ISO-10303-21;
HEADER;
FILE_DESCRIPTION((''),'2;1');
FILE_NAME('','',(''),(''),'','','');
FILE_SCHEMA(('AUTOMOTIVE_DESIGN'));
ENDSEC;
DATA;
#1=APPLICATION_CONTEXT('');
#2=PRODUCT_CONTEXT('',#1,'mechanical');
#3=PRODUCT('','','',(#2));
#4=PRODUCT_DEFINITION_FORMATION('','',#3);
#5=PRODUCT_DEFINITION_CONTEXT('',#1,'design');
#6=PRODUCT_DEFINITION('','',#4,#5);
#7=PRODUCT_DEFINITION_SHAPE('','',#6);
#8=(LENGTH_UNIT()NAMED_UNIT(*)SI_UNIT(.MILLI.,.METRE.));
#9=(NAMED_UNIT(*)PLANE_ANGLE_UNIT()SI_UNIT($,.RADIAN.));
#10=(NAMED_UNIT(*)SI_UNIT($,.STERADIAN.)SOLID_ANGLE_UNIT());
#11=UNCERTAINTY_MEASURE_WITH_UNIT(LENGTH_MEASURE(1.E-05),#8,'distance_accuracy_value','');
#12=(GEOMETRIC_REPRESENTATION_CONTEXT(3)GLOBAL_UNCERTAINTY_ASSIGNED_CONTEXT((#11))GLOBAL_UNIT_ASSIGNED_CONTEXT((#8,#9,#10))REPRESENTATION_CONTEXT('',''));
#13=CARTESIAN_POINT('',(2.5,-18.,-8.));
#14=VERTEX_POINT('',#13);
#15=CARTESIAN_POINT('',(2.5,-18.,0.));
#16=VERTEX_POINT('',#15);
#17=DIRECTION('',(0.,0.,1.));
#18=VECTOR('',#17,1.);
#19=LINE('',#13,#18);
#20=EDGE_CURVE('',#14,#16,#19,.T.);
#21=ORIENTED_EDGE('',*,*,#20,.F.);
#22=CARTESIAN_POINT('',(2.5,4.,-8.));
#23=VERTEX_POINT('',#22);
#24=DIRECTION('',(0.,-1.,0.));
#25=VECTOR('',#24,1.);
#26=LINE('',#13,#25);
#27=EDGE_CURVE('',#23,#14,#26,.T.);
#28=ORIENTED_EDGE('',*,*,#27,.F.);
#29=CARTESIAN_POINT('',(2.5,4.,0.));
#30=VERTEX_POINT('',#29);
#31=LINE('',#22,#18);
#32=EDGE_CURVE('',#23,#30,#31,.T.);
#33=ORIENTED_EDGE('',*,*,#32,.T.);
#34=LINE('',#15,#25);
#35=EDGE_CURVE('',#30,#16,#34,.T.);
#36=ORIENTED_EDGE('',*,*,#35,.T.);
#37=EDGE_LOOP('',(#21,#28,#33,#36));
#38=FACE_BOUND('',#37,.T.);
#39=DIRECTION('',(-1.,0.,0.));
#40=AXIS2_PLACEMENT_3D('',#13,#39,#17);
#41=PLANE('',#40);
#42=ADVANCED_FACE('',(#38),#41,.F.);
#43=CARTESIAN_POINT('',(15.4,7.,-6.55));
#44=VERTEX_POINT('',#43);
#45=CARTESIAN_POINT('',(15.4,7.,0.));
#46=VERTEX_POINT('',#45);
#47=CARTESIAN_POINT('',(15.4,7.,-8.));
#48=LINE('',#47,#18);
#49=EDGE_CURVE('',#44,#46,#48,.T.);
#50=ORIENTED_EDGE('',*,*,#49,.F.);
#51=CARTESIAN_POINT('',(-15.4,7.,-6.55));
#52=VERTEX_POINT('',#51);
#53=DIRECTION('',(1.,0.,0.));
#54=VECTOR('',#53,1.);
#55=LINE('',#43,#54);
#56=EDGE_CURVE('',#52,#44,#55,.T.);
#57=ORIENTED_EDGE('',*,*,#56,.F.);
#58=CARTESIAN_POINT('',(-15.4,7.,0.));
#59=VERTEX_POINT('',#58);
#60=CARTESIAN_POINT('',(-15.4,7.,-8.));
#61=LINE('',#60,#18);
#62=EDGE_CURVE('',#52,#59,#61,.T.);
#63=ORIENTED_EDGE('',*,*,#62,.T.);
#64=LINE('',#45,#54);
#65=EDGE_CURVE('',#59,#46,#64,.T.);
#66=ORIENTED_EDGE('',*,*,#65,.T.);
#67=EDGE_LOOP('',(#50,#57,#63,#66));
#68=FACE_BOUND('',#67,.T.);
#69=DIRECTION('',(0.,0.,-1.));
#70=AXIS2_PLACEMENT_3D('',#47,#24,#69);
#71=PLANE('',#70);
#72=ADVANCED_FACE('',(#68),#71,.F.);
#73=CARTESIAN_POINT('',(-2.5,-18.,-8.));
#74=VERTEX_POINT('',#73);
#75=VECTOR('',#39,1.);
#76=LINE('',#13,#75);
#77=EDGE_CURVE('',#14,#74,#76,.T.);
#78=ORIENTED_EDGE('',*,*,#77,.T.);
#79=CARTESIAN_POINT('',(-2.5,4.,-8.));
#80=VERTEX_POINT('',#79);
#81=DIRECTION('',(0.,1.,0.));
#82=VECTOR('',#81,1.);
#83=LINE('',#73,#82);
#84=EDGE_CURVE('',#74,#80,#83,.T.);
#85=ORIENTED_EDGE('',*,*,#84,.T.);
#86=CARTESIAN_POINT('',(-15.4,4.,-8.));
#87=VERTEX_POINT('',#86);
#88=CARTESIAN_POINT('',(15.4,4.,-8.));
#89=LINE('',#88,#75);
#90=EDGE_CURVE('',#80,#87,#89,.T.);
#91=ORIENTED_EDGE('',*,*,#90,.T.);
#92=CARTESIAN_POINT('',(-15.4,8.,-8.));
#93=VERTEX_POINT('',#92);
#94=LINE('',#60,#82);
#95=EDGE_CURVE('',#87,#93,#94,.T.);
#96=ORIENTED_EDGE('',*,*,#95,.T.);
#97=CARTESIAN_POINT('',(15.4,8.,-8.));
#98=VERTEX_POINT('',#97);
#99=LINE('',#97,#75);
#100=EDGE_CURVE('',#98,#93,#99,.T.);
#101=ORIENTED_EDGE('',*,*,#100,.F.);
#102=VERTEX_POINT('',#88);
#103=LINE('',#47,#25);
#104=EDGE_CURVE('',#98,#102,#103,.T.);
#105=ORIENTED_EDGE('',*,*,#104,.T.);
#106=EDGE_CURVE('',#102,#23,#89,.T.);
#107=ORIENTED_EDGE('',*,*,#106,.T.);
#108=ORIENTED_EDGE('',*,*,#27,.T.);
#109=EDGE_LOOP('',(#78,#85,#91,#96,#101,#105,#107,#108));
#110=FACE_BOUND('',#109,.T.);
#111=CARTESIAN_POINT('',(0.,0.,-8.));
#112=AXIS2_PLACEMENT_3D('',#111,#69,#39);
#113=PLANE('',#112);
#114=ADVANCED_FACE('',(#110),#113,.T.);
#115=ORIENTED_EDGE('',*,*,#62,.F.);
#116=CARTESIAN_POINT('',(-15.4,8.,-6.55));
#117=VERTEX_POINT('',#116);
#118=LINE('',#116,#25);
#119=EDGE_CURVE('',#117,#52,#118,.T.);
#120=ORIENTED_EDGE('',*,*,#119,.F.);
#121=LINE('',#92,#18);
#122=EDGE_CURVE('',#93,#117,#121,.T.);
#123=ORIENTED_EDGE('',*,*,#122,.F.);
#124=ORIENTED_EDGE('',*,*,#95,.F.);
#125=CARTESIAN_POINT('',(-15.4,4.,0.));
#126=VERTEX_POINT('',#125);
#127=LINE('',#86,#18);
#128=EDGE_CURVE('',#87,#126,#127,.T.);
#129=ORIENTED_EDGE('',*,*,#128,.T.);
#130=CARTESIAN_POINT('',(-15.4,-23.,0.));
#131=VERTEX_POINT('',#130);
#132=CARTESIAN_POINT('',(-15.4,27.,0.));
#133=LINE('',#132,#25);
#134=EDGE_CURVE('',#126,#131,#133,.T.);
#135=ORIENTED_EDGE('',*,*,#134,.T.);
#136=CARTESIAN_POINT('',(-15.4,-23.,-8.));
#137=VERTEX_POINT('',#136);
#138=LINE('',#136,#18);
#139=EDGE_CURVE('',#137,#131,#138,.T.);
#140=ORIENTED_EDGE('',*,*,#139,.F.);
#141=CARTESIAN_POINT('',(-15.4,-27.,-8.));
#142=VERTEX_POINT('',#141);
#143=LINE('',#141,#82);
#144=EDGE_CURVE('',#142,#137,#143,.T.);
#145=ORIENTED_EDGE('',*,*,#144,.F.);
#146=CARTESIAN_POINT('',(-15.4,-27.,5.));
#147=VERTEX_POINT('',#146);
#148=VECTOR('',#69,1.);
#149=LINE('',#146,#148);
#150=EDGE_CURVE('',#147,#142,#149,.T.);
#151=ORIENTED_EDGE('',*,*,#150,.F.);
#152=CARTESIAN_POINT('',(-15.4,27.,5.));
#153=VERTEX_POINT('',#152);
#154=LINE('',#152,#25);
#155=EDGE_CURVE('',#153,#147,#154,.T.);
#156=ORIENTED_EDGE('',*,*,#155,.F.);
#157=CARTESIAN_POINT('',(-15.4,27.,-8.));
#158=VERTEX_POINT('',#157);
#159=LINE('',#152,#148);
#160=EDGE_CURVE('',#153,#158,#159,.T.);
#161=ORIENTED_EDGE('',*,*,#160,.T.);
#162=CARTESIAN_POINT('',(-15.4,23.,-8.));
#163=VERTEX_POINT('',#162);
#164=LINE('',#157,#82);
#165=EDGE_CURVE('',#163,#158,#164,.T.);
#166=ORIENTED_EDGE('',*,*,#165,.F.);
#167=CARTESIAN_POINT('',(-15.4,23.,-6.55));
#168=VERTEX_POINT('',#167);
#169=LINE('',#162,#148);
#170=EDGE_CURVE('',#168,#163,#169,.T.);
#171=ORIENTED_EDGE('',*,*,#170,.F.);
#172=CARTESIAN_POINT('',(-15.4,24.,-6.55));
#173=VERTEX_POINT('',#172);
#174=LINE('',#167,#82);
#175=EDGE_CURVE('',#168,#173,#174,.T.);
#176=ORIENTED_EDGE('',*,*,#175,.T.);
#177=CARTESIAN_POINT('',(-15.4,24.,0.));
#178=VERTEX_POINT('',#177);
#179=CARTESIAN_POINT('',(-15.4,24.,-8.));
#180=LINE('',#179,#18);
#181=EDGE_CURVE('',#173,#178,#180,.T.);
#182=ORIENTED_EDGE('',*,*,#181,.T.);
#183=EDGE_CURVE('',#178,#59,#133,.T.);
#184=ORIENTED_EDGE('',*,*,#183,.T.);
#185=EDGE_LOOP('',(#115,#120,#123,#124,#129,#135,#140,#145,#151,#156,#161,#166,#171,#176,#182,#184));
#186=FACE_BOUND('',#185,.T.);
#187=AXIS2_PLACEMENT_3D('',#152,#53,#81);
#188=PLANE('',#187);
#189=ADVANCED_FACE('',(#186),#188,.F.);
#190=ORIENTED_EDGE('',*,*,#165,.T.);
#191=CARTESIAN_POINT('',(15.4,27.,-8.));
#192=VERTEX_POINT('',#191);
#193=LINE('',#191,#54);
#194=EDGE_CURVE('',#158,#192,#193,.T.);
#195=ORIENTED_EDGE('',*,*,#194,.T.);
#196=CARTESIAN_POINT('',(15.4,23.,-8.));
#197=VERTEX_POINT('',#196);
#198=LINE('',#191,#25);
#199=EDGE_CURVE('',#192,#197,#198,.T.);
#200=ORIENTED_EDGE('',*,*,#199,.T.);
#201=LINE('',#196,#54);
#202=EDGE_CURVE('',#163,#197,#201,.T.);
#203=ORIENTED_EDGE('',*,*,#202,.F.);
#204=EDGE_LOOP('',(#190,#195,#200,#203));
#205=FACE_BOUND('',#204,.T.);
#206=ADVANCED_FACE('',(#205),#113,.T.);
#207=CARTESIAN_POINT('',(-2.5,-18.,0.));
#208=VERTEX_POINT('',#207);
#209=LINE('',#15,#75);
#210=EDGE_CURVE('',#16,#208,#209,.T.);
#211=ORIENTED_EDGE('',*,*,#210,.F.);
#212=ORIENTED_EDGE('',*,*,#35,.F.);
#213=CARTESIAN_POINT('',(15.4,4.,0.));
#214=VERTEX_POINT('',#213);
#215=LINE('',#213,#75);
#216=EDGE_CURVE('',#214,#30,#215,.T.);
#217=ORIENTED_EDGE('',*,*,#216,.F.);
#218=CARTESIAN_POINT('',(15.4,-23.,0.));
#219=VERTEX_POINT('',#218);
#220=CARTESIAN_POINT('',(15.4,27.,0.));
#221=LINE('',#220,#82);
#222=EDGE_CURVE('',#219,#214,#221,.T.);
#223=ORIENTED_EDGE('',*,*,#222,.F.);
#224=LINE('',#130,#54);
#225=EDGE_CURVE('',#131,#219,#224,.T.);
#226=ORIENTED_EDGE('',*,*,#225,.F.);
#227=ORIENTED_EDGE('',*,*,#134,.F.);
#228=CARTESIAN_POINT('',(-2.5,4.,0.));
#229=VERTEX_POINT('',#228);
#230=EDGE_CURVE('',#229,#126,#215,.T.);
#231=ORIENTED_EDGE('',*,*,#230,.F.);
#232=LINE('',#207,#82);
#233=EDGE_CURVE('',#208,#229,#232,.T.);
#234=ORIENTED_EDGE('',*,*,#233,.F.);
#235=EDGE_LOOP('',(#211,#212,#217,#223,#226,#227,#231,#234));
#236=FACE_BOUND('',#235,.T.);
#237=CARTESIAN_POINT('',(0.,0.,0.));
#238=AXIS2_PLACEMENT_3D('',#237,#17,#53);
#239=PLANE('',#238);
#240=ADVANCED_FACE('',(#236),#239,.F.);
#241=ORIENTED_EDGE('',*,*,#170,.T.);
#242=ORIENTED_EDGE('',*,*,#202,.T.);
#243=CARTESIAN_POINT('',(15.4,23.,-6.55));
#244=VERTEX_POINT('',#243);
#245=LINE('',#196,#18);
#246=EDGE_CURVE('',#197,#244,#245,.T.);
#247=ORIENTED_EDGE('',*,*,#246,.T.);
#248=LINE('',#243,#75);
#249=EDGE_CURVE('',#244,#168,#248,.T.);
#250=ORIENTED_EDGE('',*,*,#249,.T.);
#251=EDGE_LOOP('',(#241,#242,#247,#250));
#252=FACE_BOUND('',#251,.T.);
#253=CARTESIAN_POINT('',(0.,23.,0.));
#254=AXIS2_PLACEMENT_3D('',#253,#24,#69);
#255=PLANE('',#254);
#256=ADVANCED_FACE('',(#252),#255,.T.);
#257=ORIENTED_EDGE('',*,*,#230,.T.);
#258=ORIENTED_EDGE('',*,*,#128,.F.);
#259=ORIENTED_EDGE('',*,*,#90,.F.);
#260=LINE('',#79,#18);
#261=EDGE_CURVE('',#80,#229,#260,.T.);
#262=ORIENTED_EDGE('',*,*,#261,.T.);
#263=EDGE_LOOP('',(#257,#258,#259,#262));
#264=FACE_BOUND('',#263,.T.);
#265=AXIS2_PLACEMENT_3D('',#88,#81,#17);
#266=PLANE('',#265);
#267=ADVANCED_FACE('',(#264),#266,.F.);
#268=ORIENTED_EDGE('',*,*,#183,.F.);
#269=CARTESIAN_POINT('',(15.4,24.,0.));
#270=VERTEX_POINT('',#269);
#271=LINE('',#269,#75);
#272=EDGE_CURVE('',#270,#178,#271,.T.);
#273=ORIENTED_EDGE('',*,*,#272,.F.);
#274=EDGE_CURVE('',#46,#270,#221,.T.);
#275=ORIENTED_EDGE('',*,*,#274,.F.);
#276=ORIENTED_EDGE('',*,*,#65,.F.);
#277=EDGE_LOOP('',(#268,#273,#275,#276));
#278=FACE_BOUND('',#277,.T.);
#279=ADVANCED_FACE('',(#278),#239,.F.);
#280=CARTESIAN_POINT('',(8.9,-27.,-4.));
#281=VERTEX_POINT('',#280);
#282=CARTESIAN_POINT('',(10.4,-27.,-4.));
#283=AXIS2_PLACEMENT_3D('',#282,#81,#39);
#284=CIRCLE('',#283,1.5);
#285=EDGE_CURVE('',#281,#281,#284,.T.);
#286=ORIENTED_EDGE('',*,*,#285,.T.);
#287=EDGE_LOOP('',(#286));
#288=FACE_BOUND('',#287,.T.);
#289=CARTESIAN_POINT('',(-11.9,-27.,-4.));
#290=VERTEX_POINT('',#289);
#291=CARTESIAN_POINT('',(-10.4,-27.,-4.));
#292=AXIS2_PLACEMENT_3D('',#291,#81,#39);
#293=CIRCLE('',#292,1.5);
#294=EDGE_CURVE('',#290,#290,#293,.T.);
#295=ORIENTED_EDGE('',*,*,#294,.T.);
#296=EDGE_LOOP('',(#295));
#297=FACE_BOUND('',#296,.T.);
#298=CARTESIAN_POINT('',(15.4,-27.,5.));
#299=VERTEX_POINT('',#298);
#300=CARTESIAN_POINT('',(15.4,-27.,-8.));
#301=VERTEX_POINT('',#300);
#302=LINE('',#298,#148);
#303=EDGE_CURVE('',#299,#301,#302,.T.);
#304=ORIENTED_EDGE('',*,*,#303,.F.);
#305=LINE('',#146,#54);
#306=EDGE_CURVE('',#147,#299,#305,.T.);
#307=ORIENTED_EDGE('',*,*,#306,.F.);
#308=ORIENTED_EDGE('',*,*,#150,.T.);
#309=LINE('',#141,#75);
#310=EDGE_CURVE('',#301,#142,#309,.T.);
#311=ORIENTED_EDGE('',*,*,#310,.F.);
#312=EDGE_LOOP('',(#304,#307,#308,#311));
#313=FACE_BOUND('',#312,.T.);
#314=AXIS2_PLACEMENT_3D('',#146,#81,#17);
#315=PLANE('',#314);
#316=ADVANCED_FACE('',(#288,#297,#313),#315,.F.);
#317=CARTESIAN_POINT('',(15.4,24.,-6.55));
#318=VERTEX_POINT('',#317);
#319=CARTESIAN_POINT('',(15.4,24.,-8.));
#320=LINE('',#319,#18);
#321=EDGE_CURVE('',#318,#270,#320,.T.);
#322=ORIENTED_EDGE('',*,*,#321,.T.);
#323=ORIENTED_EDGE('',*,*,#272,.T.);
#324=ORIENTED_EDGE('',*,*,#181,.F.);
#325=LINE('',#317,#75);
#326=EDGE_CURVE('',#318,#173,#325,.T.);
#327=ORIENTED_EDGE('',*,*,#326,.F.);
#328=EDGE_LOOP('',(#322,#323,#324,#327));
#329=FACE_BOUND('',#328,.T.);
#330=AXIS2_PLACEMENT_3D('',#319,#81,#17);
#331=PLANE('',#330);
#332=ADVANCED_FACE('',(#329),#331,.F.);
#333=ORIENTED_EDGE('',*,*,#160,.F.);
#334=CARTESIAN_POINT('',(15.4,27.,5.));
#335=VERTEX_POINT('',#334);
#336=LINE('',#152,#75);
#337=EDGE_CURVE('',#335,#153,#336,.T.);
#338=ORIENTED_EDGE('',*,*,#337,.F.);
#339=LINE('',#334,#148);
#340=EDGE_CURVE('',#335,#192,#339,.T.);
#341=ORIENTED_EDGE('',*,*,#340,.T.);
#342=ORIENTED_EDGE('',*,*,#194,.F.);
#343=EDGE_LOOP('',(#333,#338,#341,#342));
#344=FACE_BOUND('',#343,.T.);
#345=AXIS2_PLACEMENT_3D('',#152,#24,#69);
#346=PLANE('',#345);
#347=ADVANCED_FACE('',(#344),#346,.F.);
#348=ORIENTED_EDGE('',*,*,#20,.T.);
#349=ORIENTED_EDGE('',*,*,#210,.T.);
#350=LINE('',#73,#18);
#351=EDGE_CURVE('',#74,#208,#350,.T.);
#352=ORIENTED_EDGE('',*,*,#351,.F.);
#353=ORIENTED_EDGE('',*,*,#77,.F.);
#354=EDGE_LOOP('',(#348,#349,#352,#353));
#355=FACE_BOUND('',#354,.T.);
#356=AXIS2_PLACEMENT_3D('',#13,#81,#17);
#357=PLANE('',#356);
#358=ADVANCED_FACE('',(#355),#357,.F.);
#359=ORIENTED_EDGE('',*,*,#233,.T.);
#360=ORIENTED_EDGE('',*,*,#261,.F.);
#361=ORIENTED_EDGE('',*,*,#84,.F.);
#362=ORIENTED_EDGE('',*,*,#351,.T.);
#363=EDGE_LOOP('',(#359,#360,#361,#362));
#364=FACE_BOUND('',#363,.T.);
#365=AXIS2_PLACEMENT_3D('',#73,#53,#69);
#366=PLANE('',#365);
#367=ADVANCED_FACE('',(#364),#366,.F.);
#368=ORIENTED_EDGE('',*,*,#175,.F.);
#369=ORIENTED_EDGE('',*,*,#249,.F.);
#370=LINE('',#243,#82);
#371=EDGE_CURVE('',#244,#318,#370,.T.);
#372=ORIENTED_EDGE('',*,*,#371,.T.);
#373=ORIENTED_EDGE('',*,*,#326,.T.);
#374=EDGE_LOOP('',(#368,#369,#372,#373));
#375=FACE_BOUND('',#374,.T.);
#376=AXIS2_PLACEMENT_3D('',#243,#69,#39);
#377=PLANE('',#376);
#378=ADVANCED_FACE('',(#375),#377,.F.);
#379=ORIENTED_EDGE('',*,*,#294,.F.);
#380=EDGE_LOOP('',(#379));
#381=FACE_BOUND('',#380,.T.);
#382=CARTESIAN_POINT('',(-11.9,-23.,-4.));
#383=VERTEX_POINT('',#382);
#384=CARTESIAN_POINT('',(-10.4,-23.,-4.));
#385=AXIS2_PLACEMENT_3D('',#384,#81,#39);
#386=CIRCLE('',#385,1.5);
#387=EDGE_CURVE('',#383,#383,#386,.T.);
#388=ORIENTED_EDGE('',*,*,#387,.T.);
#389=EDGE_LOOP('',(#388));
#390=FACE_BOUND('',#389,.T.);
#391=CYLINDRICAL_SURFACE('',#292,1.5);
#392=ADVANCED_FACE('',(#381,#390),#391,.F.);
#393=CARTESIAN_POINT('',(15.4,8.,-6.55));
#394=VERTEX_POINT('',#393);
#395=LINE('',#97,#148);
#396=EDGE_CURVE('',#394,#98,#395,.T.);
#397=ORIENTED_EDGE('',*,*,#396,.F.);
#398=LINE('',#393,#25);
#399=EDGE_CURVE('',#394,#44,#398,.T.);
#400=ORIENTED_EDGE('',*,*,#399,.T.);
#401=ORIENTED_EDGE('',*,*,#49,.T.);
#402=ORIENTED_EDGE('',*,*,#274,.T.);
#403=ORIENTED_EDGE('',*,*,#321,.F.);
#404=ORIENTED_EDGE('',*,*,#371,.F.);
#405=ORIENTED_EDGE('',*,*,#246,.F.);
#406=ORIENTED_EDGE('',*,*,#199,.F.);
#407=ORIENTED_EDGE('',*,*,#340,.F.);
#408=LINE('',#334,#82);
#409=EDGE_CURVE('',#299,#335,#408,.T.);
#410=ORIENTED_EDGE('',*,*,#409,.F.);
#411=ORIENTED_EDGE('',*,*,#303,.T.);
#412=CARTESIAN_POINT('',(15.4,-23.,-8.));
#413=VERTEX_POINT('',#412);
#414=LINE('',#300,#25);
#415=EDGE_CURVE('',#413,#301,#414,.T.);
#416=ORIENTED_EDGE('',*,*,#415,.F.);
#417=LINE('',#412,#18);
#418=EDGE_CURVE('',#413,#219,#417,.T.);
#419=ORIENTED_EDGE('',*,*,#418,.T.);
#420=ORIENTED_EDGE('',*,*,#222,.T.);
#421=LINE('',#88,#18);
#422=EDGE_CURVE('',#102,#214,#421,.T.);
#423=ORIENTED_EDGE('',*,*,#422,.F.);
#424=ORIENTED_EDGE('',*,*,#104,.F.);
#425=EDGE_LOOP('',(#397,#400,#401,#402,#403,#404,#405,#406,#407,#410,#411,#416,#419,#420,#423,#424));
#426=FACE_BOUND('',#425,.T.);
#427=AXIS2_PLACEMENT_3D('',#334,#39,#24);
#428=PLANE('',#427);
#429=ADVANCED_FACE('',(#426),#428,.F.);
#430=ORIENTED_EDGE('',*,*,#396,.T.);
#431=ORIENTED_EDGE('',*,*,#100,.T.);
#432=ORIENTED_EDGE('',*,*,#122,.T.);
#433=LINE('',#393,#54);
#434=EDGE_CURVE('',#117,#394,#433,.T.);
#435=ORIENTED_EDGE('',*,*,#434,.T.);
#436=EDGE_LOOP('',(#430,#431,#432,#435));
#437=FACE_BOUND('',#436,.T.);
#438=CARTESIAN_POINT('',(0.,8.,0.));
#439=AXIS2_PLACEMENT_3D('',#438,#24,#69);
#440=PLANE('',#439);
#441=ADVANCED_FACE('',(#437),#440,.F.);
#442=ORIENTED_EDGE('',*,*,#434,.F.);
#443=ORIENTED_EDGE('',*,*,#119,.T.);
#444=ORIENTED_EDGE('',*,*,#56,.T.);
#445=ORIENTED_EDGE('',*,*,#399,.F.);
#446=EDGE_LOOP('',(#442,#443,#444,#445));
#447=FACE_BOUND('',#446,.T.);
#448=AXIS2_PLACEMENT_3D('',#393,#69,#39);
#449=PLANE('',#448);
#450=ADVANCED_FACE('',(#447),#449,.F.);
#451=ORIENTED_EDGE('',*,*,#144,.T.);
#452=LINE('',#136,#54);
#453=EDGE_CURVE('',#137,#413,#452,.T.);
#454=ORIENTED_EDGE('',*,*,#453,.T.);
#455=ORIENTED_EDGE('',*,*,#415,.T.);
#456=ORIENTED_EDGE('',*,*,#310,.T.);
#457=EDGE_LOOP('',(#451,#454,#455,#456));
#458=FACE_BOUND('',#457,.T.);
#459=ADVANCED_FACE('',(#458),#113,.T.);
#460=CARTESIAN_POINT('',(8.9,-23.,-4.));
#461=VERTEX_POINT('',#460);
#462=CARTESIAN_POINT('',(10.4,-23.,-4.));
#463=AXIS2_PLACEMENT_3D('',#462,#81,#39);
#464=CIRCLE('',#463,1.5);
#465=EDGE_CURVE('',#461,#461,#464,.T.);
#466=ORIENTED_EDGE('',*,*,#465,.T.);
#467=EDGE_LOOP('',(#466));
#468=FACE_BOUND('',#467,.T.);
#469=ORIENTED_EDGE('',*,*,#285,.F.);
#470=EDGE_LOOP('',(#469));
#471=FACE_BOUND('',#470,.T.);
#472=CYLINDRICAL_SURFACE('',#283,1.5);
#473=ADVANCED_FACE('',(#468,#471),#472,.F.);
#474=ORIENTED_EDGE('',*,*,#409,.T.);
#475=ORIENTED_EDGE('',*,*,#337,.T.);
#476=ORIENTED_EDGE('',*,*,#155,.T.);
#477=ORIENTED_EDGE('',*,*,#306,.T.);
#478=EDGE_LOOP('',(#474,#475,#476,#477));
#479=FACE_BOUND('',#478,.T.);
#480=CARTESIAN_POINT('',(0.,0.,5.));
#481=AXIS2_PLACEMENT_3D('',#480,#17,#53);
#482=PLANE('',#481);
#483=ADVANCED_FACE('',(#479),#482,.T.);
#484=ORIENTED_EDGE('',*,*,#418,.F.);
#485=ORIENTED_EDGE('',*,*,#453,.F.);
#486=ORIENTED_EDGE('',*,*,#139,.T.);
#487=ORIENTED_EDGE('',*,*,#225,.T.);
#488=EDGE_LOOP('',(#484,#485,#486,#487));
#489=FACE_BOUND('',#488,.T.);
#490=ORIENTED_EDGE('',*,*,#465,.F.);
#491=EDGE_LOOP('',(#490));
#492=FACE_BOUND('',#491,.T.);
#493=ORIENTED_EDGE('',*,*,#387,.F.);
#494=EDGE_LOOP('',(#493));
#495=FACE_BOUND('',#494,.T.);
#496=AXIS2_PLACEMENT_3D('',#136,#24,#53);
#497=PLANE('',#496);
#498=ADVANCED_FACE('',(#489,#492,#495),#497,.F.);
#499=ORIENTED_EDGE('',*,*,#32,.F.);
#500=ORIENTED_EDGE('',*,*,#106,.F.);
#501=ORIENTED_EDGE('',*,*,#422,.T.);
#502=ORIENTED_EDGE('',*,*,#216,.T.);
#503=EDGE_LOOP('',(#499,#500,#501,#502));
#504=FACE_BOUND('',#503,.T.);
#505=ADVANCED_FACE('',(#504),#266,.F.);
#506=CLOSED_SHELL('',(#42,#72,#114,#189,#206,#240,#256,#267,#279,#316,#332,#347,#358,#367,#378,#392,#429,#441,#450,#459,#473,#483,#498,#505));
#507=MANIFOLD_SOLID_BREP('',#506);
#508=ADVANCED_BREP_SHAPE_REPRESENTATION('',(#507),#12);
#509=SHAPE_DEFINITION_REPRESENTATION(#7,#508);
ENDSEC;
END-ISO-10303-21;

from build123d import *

# Parameters (mm, degrees)
SKETCH_1_W          = 30.8
SKETCH_1_H          = 54
EXTRUDE_1_DEPTH     = 5
SKETCH_2_W          = 30.8
SKETCH_2_H          = 4
EXTRUDE_2_DEPTH     = 8
SKETCH_3_R          = 1.5
CUT_EXTRUDE_1_DEPTH = 5
SKETCH_4_W          = 30.8
SKETCH_4_H          = 3
EXTRUDE_3_DEPTH     = 8
SKETCH_5_W          = 30.8
SKETCH_5_H          = 1.45
EXTRUDE_4_DEPTH     = 1
SKETCH_6_W          = 30.8
SKETCH_6_H          = 1.45
EXTRUDE_5_DEPTH     = 1
SKETCH_7_W          = 5
SKETCH_7_H          = 22
EXTRUDE_6_DEPTH     = 8


with BuildPart() as part:
    # 草图1 → 凸台-拉伸1 (new body)
    with BuildSketch(Plane.XY):
        Rectangle(SKETCH_1_W, SKETCH_1_H)
    extrude(amount=EXTRUDE_1_DEPTH)

    # 草图2 → 凸台-拉伸2 (add)
    with BuildSketch(Plane(origin=(0, 0, 0), x_dir=(-1, 0, 0), z_dir=(0, 0, -1))):
        with Locations((0, -25)):
            Rectangle(SKETCH_2_W, SKETCH_2_H)
    extrude(amount=EXTRUDE_2_DEPTH)

    # 草图3 → 切除-拉伸1 (cut, through all)
    with BuildSketch(Plane(origin=(0, -23, 0), x_dir=(1, 0, 0), z_dir=(0, 1, 0))):
        with Locations((10.4, 4)):
            Circle(SKETCH_3_R)
        with Locations((-10.4, 4)):
            Circle(SKETCH_3_R)
    extrude(amount=-CUT_EXTRUDE_1_DEPTH, mode=Mode.SUBTRACT)

    # 草图4 → 凸台-拉伸3 (add)
    with BuildSketch(Plane(origin=(0, 0, 0), x_dir=(-1, 0, 0), z_dir=(0, 0, -1))):
        with Locations((0, 25.5)):
            Rectangle(SKETCH_4_W, SKETCH_4_H)
        with Locations((0, 5.5)):
            Rectangle(SKETCH_4_W, SKETCH_4_H)
    extrude(amount=EXTRUDE_3_DEPTH)

    # 草图5 → 凸台-拉伸4 (add)
    with BuildSketch(Plane(origin=(0, 7, 0), x_dir=(1, 0, 0), z_dir=(0, 1, 0))):
        with Locations((0, 7.275)):
            Rectangle(SKETCH_5_W, SKETCH_5_H)
    extrude(amount=EXTRUDE_4_DEPTH)

    # 草图6 → 凸台-拉伸5 (add)
    with BuildSketch(Plane.XZ.offset(-24)):
        with Locations((0, -7.275)):
            Rectangle(SKETCH_6_W, SKETCH_6_H)
    extrude(amount=EXTRUDE_5_DEPTH)

    # 草图7 → 凸台-拉伸6 (add)
    with BuildSketch(Plane(origin=(0, 0, 0), x_dir=(-1, 0, 0), z_dir=(0, 0, -1))):
        with Locations((0, -7)):
            Rectangle(SKETCH_7_W, SKETCH_7_H)
    extrude(amount=EXTRUDE_6_DEPTH)


solid = part.part
